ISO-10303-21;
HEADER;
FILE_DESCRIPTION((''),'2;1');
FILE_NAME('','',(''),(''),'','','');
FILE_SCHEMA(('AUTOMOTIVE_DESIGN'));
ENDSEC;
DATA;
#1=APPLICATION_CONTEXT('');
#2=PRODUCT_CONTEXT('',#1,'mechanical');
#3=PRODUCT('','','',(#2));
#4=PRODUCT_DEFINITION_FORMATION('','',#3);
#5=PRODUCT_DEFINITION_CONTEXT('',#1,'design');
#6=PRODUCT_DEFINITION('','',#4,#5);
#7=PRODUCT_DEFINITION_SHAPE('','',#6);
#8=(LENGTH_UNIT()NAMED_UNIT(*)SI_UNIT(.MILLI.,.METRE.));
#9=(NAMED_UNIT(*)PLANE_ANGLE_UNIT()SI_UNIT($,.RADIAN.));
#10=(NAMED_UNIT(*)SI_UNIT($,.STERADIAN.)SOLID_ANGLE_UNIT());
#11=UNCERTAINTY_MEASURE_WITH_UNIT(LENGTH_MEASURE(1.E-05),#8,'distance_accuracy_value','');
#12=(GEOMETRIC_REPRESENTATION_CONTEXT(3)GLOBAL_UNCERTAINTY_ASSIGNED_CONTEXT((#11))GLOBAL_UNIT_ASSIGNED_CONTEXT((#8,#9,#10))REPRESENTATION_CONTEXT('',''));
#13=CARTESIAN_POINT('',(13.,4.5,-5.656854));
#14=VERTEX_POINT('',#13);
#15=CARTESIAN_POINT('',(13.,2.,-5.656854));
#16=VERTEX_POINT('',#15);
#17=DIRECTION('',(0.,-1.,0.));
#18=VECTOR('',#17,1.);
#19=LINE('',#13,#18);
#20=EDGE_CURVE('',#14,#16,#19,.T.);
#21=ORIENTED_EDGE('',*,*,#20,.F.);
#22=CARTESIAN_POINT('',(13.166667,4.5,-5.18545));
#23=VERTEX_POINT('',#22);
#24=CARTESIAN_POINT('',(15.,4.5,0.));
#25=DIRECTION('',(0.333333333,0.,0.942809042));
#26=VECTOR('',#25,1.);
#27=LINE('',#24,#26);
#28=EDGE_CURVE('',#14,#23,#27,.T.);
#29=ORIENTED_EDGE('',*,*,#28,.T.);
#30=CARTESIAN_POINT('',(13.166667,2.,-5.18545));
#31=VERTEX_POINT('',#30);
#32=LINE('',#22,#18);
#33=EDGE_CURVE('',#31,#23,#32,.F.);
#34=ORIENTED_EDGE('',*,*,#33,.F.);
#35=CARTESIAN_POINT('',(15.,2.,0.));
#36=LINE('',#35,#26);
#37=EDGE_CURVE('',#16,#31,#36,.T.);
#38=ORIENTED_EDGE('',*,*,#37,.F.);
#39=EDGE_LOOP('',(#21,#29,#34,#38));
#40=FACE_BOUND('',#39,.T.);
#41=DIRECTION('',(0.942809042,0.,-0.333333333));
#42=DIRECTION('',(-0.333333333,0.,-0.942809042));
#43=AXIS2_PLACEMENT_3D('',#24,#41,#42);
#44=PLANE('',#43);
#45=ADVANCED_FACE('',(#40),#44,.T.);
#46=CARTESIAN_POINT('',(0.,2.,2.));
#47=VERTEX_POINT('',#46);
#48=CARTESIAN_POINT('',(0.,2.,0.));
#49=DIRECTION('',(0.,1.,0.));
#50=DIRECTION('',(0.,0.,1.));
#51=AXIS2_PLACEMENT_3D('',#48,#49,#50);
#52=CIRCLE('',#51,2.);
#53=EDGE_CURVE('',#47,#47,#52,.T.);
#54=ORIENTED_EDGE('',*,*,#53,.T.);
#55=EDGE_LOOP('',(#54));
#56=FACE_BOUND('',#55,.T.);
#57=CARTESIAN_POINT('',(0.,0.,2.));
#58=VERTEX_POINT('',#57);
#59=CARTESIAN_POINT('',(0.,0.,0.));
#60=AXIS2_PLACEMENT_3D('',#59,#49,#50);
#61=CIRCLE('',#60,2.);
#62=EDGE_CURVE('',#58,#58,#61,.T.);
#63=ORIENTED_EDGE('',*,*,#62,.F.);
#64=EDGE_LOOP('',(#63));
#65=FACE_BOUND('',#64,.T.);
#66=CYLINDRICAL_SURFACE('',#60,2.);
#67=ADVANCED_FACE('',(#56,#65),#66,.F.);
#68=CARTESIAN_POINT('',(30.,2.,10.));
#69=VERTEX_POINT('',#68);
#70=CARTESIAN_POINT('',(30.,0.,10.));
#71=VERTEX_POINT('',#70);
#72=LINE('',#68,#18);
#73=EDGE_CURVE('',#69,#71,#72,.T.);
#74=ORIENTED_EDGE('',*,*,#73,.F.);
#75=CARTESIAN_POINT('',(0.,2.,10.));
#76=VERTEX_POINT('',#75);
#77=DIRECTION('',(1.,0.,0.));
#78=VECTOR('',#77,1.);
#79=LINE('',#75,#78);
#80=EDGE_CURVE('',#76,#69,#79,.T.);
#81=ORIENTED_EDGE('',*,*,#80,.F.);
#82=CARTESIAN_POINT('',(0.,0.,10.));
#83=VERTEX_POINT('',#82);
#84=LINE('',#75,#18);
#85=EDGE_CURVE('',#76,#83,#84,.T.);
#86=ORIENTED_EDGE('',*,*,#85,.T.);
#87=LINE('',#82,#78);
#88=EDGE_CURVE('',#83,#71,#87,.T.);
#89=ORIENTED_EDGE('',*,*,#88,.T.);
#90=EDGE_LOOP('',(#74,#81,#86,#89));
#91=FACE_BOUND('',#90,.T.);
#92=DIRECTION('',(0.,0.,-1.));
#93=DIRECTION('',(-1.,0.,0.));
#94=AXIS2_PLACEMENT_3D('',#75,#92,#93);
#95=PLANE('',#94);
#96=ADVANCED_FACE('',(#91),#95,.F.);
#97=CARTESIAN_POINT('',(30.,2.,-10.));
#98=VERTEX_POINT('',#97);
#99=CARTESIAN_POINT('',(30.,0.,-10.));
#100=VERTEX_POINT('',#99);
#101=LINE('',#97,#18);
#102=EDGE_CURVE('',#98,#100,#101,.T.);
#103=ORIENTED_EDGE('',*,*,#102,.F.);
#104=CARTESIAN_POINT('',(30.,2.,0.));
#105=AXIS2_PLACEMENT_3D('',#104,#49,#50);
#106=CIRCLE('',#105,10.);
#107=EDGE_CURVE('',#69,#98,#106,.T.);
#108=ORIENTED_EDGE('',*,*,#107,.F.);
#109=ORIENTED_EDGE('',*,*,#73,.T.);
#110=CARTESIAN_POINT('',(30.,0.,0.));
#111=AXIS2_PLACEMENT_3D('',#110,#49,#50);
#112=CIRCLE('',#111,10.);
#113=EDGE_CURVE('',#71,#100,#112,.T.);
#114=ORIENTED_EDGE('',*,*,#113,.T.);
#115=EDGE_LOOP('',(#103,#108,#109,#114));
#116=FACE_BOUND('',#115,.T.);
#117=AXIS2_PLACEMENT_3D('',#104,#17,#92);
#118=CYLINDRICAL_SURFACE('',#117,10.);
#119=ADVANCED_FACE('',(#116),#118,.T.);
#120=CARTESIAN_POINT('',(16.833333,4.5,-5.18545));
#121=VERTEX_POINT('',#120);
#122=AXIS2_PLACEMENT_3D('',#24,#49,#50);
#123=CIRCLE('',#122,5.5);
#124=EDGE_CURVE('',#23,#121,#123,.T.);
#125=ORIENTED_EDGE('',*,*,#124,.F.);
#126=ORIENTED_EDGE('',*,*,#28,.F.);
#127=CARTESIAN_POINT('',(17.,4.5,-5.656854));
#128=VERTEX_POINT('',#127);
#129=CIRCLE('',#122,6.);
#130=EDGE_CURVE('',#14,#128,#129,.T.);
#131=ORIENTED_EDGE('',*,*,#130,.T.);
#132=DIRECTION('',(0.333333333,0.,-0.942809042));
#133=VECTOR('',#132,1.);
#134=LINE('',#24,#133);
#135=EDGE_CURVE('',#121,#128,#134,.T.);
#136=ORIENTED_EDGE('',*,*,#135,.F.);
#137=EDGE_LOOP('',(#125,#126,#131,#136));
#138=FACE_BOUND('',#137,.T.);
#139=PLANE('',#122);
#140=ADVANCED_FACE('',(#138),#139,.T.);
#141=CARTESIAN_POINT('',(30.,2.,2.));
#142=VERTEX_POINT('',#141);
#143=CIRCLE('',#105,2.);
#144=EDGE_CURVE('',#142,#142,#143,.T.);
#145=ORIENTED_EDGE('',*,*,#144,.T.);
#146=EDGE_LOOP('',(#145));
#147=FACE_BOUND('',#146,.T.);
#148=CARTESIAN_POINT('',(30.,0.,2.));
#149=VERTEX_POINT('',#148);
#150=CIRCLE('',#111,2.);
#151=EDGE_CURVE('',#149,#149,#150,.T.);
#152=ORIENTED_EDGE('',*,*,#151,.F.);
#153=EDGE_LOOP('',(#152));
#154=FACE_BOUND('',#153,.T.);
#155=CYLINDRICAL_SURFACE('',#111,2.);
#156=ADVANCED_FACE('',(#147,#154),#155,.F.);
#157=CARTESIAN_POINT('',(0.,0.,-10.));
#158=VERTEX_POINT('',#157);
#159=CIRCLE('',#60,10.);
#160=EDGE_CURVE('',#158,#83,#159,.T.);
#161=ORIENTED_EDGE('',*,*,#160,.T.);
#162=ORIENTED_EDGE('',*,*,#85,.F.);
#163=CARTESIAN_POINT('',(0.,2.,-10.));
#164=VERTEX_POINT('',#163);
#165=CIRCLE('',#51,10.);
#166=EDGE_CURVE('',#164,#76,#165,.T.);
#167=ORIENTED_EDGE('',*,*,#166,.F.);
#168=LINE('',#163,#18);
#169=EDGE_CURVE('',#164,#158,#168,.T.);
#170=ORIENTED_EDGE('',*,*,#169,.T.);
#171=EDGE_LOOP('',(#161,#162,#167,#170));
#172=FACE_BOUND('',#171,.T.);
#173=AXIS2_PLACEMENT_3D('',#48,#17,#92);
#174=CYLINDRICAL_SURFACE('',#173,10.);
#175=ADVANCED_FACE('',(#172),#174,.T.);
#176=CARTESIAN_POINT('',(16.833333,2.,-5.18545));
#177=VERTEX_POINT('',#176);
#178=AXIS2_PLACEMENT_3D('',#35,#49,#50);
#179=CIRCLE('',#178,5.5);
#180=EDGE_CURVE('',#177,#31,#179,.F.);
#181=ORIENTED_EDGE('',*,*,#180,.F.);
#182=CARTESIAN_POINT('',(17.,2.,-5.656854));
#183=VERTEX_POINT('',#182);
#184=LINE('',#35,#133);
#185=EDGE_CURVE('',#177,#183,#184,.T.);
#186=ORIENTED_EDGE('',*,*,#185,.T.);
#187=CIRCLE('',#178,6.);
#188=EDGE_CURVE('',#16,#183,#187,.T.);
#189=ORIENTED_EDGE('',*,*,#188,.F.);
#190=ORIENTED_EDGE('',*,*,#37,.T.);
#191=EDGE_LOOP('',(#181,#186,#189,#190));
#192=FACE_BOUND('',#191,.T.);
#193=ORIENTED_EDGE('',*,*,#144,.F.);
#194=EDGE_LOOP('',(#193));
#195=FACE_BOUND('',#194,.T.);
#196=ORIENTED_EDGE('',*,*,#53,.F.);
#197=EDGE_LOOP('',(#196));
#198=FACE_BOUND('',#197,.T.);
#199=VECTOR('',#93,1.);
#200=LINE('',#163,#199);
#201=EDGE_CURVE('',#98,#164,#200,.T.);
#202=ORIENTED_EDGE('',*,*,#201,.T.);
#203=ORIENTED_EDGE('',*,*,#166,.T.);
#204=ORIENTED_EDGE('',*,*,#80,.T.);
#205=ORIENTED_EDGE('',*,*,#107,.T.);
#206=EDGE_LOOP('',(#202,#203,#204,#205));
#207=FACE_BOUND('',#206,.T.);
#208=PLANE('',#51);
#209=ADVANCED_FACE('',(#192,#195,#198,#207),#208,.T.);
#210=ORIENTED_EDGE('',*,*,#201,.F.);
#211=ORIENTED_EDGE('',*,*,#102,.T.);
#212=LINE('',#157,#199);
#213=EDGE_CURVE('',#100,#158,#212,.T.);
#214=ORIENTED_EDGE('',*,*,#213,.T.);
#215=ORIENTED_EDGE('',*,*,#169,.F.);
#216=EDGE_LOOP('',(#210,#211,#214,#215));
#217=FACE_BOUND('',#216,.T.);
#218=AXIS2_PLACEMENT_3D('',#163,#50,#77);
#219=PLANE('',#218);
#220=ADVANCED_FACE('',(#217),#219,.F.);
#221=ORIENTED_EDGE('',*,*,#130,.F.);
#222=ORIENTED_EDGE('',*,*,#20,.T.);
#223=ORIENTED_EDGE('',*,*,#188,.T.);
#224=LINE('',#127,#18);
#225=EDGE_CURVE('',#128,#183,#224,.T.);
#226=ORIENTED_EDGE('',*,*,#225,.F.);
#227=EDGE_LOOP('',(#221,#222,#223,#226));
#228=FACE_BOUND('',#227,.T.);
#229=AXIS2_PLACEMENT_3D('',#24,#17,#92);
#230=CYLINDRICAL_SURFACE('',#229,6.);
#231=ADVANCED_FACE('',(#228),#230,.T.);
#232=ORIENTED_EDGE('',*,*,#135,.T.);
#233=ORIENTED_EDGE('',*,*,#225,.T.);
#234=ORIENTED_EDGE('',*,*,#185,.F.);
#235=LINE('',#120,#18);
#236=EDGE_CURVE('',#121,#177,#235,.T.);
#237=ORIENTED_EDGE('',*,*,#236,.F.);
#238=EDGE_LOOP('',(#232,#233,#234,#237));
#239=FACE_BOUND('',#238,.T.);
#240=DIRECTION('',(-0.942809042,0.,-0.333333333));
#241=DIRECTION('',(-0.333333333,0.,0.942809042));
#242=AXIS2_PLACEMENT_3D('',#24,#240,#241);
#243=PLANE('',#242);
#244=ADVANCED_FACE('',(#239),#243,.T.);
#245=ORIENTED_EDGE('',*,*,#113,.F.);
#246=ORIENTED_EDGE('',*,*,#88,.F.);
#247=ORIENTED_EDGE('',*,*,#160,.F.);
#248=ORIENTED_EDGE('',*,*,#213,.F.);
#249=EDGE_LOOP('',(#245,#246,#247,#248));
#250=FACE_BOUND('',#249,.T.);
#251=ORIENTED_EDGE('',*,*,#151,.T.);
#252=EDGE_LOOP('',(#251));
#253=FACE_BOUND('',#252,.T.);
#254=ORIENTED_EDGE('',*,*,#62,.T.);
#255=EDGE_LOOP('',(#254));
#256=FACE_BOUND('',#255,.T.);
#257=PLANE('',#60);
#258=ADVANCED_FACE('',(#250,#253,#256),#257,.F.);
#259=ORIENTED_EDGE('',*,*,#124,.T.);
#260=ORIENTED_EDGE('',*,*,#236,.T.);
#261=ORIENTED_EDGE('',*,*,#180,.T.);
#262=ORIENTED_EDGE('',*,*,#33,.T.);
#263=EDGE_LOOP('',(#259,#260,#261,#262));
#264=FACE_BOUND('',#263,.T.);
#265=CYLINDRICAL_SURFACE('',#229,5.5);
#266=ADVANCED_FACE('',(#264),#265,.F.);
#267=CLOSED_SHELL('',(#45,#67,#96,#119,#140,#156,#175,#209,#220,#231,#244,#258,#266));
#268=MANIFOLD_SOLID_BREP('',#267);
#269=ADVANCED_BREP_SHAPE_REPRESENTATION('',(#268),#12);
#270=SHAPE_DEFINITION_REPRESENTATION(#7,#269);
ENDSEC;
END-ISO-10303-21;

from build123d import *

# Parameters (mm, degrees)
EXTRUDE_1_DEPTH     = 2
SKETCH_2_R          = 2
CUT_EXTRUDE_1_DEPTH = 2
SKETCH_3_R          = 6
SKETCH_3_R_2        = 5.5
EXTRUDE_2_DEPTH     = 2.5
CUT_EXTRUDE_2_DEPTH = 2.5


with BuildPart() as part:
    # 草图1 → 凸台-拉伸1 (new body)
    with BuildSketch(Plane(origin=(0, 0, 0), x_dir=(1, 0, 0), z_dir=(0, 1, 0))):
        with BuildLine():
            Line((0, 10), (30, 10))
            ThreePointArc((30, 10), (40, 0), (30, -10))
            Line((30, -10), (0, -10))
            ThreePointArc((0, -10), (-10, 0), (0, 10))
        make_face()
    extrude(amount=EXTRUDE_1_DEPTH)

    # 草图2 → 切除-拉伸1 (cut)
    with BuildSketch(Plane(origin=(0, 2, 0), x_dir=(1, 0, 0), z_dir=(0, 1, 0))):
        with Locations(Location((0, 0, 0), (0, 0, 270))):
            Circle(SKETCH_2_R)
        with Locations(Location((30, 0, 0), (0, 0, 270))):
            Circle(SKETCH_2_R)
    extrude(amount=-CUT_EXTRUDE_1_DEPTH, mode=Mode.SUBTRACT)

    # 草图3 → 凸台-拉伸2 (add)
    with BuildSketch(Plane(origin=(0, 2, 0), x_dir=(1, 0, 0), z_dir=(0, 1, 0))):
        with Locations(Location((15, 0, 0), (0, 0, 270))):
            Circle(SKETCH_3_R)
        with Locations(Location((15, 0, 0), (0, 0, 270))):
            Circle(SKETCH_3_R_2, mode=Mode.SUBTRACT)
    extrude(amount=EXTRUDE_2_DEPTH)

    # 草图4 → 切除-拉伸2 (cut)
    with BuildSketch(Plane(origin=(0, 2, 0), x_dir=(1, 0, 0), z_dir=(0, 1, 0))):
        with BuildLine():
            Line((15, 0), (13, 5.656854249))
            ThreePointArc((13, 5.656854249), (15, 6), (17, 5.656854249))
            Line((17, 5.656854249), (15, 0))
        make_face()
    extrude(amount=CUT_EXTRUDE_2_DEPTH, mode=Mode.SUBTRACT)


solid = part.part
